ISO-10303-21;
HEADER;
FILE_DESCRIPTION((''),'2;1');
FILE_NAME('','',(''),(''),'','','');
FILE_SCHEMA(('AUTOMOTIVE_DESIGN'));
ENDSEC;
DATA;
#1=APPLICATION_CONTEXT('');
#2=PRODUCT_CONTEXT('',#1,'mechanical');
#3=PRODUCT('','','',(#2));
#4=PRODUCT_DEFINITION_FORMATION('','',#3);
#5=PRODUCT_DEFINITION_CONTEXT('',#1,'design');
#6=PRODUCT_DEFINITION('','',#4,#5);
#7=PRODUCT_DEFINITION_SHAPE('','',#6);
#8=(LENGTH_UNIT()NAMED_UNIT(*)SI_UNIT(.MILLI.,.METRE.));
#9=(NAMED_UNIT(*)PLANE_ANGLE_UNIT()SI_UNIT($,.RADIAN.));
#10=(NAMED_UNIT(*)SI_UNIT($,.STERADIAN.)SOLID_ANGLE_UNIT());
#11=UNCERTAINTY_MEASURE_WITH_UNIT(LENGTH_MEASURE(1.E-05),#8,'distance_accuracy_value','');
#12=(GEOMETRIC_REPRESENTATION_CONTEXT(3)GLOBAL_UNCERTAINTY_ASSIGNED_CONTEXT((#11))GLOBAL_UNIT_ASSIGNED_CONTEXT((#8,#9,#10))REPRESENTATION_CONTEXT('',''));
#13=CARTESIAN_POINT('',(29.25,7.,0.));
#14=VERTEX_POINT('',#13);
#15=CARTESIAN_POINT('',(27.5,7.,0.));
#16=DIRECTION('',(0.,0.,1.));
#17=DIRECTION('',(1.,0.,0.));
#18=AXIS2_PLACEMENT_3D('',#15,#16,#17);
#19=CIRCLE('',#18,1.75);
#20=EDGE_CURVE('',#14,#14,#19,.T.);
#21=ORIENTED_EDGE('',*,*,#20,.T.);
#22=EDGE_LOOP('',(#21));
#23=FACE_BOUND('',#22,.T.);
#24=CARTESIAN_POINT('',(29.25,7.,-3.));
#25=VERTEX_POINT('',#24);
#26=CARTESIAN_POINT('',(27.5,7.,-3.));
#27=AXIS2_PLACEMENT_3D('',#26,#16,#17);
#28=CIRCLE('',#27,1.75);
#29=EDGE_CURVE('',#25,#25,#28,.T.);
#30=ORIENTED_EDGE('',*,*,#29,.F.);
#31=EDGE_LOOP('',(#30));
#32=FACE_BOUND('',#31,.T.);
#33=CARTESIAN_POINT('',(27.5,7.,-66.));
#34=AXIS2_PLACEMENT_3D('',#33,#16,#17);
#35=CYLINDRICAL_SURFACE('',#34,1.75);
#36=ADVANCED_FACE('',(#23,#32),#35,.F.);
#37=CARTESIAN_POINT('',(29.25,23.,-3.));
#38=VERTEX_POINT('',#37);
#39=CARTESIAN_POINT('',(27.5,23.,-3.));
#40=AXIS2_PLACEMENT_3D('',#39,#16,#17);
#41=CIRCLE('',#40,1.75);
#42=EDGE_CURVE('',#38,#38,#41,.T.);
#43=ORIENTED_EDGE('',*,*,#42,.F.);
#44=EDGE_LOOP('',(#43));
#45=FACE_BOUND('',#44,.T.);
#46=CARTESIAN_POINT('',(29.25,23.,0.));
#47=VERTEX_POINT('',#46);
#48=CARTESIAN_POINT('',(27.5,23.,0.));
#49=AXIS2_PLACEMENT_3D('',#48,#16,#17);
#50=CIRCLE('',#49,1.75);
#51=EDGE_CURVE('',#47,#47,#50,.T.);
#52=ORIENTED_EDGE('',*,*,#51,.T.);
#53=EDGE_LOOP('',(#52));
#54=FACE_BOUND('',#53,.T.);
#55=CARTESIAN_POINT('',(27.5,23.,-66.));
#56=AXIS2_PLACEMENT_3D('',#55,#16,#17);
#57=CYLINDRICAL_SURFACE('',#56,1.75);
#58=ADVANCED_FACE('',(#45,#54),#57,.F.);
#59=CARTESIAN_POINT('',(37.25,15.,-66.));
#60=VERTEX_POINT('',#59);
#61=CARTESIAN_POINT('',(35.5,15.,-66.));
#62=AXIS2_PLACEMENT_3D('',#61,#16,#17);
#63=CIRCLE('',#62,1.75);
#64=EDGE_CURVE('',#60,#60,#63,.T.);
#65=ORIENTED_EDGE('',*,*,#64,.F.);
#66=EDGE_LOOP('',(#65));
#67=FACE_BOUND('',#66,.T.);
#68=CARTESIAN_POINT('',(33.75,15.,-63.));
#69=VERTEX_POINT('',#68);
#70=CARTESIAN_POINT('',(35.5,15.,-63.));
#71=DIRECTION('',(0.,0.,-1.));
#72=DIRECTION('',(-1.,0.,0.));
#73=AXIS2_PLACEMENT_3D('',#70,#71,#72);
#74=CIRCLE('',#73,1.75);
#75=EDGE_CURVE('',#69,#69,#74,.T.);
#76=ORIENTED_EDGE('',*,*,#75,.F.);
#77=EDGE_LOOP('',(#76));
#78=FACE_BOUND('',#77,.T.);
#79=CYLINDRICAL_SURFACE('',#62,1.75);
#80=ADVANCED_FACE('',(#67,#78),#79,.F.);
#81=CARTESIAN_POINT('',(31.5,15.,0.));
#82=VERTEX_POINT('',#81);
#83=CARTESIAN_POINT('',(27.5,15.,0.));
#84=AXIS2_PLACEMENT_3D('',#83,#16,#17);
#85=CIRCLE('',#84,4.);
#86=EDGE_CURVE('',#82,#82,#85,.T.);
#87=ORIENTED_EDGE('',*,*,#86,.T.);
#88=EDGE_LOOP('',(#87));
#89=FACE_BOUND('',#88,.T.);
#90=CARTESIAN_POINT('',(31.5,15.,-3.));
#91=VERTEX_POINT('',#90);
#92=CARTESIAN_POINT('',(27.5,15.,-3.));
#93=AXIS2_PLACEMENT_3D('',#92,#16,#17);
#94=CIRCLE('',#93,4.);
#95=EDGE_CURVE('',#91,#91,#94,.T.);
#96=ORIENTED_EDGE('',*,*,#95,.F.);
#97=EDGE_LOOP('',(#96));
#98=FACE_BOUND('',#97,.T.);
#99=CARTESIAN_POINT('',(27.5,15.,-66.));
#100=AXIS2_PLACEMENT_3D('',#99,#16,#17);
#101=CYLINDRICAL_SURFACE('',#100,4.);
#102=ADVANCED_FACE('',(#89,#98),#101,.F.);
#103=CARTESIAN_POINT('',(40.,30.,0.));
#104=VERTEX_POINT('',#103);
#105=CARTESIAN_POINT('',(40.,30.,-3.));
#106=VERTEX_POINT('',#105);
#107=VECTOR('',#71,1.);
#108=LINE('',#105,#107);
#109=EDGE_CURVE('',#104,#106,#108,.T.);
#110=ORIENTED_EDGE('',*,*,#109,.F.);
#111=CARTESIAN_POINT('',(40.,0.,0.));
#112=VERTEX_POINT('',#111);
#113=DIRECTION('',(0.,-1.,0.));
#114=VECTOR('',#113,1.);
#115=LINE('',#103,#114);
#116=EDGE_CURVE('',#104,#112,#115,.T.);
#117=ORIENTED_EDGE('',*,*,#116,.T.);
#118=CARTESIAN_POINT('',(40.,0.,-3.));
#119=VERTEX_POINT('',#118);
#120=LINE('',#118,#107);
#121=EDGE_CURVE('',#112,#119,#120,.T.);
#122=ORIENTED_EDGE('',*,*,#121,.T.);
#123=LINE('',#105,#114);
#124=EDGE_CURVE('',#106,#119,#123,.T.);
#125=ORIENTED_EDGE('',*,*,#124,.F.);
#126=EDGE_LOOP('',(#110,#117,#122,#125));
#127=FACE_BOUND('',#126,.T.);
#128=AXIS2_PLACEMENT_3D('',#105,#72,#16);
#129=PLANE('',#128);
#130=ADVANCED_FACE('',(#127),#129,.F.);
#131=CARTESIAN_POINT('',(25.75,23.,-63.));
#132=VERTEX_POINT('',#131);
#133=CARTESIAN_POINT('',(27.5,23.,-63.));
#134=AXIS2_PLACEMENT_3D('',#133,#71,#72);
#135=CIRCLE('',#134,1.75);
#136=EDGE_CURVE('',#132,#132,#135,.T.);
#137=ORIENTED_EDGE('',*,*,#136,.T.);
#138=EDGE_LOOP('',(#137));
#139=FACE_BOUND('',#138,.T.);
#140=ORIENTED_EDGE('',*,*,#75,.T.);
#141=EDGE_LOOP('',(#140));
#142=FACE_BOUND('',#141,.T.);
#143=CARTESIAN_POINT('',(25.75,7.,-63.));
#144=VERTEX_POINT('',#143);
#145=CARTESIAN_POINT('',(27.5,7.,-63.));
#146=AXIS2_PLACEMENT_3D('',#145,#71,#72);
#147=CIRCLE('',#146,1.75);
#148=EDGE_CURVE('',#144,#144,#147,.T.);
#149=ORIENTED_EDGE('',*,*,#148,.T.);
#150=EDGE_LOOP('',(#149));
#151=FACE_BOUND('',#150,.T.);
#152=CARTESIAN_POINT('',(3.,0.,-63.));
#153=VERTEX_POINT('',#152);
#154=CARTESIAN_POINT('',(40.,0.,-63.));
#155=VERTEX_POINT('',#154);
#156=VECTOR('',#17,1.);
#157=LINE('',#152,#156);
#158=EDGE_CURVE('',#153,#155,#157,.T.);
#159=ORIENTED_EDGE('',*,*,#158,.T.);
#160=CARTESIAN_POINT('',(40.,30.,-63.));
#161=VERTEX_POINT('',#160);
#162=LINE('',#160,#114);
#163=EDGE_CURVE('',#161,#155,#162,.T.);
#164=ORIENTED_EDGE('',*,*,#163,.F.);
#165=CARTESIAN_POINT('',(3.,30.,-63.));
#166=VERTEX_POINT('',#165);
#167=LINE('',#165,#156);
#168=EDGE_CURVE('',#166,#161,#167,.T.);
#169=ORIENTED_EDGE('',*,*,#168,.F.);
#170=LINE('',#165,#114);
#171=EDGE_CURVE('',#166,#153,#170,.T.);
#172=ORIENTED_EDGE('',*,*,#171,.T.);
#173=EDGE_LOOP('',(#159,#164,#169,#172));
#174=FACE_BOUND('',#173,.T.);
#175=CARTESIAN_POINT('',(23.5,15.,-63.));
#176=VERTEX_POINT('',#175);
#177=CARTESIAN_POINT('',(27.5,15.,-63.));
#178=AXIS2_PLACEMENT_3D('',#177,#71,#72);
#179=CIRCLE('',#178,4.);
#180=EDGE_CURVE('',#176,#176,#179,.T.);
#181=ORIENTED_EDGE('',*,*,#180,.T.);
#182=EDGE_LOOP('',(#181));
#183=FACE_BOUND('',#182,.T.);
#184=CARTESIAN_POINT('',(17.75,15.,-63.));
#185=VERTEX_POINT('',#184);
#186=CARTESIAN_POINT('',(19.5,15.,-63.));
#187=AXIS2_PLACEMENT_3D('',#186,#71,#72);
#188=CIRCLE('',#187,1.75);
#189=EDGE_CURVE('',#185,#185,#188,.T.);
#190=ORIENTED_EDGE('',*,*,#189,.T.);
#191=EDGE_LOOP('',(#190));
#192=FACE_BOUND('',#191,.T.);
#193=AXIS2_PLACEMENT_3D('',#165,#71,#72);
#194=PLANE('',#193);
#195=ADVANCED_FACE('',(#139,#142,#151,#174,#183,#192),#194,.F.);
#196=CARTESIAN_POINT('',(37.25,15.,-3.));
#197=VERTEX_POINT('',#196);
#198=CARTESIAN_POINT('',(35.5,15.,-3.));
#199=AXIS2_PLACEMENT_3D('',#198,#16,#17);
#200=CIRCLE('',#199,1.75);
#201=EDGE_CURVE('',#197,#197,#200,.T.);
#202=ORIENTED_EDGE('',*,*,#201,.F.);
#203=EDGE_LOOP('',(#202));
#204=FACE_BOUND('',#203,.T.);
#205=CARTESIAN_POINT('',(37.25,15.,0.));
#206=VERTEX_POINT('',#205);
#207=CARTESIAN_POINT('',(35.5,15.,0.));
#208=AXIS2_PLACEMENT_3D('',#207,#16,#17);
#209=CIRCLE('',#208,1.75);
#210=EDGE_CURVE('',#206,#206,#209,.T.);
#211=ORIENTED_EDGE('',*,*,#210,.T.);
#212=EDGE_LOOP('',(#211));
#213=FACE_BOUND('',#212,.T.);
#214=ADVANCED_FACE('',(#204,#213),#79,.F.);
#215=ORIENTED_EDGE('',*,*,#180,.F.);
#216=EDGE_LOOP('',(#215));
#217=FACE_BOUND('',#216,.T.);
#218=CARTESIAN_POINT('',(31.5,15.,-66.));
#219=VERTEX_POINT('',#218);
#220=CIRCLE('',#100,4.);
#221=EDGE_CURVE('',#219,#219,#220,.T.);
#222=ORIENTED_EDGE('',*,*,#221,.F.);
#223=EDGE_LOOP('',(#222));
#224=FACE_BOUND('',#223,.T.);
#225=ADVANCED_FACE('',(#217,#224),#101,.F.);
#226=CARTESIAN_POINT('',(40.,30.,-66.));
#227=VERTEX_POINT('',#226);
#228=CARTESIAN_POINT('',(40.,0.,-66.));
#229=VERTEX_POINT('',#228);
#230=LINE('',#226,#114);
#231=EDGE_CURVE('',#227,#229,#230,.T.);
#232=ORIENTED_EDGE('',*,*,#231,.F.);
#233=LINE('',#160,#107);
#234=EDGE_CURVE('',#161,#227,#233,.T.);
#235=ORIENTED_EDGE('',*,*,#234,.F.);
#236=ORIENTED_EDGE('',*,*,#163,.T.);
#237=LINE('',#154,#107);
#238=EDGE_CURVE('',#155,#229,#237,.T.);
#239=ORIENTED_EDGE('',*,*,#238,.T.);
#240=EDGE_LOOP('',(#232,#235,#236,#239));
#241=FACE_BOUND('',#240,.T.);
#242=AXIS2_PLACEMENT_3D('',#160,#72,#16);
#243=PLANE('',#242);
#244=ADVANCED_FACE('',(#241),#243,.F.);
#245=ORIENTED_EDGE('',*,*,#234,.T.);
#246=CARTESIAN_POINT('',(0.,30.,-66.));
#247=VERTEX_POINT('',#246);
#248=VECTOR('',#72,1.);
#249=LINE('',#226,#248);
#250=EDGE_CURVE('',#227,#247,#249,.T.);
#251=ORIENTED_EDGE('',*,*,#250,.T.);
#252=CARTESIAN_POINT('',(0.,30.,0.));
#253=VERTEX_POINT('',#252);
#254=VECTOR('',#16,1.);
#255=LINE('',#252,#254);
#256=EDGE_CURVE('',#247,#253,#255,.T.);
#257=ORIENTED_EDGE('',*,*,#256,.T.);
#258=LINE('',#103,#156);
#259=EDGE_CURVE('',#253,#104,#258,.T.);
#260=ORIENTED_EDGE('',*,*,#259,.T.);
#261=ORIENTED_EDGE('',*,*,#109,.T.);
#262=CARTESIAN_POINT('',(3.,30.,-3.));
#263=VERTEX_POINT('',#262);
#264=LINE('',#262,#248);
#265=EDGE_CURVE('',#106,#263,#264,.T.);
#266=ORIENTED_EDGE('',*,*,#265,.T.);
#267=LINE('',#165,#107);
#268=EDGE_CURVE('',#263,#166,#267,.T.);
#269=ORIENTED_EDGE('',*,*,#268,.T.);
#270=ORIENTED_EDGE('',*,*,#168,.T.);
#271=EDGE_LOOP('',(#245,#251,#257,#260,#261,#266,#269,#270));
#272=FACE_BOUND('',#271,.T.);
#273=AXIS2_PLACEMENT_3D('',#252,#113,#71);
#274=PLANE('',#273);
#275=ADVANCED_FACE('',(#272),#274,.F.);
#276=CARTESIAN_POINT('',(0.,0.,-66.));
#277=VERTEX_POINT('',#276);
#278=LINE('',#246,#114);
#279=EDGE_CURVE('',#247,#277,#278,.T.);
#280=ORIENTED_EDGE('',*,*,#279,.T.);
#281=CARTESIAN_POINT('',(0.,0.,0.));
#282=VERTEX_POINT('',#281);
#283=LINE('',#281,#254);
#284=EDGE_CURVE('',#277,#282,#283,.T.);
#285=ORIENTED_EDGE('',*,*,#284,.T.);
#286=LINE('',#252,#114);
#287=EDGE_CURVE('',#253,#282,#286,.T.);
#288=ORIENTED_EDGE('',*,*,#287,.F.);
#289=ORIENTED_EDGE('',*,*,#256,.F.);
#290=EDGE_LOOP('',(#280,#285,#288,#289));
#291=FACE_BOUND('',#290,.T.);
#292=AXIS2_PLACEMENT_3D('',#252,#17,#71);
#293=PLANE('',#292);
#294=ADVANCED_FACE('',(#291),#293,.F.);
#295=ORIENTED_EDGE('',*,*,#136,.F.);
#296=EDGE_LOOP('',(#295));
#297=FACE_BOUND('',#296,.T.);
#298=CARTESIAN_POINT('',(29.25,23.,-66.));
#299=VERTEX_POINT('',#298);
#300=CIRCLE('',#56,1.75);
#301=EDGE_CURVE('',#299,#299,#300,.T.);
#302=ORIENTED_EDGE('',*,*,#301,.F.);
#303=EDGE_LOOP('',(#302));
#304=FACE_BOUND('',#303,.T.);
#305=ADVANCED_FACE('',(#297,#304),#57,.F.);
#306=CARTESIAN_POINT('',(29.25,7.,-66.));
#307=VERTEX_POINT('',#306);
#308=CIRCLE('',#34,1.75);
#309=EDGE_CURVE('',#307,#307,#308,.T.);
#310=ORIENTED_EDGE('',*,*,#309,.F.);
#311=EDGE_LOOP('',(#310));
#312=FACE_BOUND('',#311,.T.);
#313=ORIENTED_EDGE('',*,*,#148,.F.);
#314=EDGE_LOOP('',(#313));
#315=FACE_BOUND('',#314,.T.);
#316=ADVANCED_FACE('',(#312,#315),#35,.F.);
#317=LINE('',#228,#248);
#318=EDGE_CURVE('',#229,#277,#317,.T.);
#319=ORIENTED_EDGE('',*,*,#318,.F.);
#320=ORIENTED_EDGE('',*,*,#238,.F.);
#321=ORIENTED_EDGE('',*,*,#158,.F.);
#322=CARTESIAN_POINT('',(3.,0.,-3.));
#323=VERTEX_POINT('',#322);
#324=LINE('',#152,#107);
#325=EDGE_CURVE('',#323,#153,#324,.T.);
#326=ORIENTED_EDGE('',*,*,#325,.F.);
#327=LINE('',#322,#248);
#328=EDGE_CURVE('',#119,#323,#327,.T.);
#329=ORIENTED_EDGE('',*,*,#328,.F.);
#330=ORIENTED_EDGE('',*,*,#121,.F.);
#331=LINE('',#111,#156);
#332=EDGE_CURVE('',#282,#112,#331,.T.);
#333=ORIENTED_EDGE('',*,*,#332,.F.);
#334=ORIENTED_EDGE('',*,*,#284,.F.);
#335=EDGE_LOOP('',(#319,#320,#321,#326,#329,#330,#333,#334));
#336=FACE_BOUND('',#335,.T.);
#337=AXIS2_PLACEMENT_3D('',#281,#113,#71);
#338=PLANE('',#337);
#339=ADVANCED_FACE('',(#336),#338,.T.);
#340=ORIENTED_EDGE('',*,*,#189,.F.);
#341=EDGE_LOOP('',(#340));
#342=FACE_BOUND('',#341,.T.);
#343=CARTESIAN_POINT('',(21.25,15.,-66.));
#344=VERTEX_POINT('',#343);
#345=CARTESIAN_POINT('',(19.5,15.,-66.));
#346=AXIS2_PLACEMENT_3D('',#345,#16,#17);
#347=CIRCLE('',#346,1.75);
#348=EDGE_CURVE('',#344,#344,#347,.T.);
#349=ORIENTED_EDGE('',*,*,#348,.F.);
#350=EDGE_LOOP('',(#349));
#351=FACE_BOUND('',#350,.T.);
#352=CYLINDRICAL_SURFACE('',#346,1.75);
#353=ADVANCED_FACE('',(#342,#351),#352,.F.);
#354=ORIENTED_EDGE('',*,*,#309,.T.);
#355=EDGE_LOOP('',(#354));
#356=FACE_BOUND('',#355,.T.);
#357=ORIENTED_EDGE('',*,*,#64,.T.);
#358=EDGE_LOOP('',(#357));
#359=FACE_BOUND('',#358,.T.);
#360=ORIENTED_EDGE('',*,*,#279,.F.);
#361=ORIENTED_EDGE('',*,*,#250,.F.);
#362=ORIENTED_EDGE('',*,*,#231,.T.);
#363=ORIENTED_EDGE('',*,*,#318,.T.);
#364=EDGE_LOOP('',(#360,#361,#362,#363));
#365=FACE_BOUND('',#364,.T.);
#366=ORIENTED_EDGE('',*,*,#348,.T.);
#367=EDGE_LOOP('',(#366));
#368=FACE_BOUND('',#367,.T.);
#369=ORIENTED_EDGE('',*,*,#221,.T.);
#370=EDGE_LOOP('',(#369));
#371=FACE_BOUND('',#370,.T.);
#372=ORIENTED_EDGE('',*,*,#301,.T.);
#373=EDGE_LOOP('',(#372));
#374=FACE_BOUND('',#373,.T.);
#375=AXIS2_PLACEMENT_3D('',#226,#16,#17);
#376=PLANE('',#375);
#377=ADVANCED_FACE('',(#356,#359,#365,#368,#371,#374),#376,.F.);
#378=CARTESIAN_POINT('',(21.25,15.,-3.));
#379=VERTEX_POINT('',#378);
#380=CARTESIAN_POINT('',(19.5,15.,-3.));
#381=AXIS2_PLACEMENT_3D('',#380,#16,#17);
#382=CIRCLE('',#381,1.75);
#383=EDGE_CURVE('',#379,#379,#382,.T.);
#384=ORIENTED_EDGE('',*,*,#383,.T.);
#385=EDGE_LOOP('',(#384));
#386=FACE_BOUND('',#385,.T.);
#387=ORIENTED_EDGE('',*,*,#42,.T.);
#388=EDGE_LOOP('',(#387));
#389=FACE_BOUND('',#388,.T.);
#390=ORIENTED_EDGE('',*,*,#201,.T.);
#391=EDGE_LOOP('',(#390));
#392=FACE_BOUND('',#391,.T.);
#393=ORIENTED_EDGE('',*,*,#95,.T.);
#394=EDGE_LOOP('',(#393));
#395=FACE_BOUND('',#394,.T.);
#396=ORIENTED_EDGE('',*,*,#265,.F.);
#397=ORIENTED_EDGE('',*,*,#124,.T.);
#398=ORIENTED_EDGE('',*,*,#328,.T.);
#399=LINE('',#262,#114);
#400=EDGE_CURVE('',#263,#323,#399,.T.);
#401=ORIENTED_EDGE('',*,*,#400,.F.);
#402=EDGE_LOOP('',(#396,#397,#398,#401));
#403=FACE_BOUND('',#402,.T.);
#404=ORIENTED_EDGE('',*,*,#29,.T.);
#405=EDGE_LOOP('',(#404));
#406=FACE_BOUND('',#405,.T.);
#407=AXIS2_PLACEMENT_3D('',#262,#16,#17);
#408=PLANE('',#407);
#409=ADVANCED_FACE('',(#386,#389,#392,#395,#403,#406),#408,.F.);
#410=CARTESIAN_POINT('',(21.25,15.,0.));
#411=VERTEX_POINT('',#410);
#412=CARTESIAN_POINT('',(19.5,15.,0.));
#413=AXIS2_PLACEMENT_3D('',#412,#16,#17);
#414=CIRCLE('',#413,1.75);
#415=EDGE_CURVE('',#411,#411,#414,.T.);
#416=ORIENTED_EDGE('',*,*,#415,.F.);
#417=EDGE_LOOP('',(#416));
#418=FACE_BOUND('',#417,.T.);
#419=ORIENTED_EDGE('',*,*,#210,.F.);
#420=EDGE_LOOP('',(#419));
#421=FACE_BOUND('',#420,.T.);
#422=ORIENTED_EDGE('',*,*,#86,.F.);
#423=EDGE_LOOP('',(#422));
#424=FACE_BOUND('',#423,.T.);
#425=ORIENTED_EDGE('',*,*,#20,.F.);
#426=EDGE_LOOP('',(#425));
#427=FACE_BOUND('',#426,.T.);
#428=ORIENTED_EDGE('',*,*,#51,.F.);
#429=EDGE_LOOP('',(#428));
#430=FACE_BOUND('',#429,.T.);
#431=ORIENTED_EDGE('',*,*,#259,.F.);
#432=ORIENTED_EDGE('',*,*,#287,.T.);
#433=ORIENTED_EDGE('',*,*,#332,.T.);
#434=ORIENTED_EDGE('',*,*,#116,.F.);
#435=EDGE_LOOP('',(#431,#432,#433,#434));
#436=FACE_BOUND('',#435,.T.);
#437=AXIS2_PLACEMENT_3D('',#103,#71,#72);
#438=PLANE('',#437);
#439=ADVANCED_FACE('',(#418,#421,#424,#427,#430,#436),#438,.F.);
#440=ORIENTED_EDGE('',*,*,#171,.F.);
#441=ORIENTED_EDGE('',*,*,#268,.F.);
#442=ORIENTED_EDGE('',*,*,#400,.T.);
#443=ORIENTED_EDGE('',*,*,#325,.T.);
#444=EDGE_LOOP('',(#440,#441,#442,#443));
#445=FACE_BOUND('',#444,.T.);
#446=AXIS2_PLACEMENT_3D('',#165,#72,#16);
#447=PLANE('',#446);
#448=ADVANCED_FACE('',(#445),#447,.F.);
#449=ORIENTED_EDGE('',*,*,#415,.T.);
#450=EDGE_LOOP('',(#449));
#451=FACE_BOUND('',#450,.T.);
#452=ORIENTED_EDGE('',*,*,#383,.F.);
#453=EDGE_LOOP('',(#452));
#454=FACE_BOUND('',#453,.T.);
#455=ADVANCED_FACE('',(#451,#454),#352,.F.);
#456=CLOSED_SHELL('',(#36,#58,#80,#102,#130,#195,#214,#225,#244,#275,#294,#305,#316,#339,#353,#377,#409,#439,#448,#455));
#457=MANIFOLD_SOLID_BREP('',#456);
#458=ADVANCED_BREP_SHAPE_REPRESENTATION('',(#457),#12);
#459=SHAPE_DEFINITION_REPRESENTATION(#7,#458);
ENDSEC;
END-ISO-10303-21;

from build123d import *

# Parameters (mm, degrees)
BOSS_EXTRUDE1_DEPTH = 30
SKETCH2_R           = 4
SKETCH2_R_2         = 1.75
CUT_EXTRUDE1_DEPTH  = 83.800966178


with BuildPart() as part:
    # Sketch1 → Boss-Extrude1 (new body)
    with BuildSketch(Plane(origin=(0, 0, 0), x_dir=(1, 0, 0), z_dir=(0, 1, 0))):
        Polygon((0, 0), (0, 66), (40, 66), (40, 63), (3, 63), (3, 3), (40, 3), (40, 0), align=None)
    extrude(amount=BOSS_EXTRUDE1_DEPTH)

    # Sketch2 → Cut-Extrude1 (cut, through all)
    with BuildSketch(Plane.XY):
        with Locations((27.5, 15)):
            Circle(SKETCH2_R)
        with Locations((19.5, 15)):
            Circle(SKETCH2_R_2)
        with Locations((27.5, 23)):
            Circle(SKETCH2_R_2)
        with Locations((35.5, 15)):
            Circle(SKETCH2_R_2)
        with Locations((27.5, 7)):
            Circle(SKETCH2_R_2)
    extrude(amount=-CUT_EXTRUDE1_DEPTH, mode=Mode.SUBTRACT)


solid = part.part
